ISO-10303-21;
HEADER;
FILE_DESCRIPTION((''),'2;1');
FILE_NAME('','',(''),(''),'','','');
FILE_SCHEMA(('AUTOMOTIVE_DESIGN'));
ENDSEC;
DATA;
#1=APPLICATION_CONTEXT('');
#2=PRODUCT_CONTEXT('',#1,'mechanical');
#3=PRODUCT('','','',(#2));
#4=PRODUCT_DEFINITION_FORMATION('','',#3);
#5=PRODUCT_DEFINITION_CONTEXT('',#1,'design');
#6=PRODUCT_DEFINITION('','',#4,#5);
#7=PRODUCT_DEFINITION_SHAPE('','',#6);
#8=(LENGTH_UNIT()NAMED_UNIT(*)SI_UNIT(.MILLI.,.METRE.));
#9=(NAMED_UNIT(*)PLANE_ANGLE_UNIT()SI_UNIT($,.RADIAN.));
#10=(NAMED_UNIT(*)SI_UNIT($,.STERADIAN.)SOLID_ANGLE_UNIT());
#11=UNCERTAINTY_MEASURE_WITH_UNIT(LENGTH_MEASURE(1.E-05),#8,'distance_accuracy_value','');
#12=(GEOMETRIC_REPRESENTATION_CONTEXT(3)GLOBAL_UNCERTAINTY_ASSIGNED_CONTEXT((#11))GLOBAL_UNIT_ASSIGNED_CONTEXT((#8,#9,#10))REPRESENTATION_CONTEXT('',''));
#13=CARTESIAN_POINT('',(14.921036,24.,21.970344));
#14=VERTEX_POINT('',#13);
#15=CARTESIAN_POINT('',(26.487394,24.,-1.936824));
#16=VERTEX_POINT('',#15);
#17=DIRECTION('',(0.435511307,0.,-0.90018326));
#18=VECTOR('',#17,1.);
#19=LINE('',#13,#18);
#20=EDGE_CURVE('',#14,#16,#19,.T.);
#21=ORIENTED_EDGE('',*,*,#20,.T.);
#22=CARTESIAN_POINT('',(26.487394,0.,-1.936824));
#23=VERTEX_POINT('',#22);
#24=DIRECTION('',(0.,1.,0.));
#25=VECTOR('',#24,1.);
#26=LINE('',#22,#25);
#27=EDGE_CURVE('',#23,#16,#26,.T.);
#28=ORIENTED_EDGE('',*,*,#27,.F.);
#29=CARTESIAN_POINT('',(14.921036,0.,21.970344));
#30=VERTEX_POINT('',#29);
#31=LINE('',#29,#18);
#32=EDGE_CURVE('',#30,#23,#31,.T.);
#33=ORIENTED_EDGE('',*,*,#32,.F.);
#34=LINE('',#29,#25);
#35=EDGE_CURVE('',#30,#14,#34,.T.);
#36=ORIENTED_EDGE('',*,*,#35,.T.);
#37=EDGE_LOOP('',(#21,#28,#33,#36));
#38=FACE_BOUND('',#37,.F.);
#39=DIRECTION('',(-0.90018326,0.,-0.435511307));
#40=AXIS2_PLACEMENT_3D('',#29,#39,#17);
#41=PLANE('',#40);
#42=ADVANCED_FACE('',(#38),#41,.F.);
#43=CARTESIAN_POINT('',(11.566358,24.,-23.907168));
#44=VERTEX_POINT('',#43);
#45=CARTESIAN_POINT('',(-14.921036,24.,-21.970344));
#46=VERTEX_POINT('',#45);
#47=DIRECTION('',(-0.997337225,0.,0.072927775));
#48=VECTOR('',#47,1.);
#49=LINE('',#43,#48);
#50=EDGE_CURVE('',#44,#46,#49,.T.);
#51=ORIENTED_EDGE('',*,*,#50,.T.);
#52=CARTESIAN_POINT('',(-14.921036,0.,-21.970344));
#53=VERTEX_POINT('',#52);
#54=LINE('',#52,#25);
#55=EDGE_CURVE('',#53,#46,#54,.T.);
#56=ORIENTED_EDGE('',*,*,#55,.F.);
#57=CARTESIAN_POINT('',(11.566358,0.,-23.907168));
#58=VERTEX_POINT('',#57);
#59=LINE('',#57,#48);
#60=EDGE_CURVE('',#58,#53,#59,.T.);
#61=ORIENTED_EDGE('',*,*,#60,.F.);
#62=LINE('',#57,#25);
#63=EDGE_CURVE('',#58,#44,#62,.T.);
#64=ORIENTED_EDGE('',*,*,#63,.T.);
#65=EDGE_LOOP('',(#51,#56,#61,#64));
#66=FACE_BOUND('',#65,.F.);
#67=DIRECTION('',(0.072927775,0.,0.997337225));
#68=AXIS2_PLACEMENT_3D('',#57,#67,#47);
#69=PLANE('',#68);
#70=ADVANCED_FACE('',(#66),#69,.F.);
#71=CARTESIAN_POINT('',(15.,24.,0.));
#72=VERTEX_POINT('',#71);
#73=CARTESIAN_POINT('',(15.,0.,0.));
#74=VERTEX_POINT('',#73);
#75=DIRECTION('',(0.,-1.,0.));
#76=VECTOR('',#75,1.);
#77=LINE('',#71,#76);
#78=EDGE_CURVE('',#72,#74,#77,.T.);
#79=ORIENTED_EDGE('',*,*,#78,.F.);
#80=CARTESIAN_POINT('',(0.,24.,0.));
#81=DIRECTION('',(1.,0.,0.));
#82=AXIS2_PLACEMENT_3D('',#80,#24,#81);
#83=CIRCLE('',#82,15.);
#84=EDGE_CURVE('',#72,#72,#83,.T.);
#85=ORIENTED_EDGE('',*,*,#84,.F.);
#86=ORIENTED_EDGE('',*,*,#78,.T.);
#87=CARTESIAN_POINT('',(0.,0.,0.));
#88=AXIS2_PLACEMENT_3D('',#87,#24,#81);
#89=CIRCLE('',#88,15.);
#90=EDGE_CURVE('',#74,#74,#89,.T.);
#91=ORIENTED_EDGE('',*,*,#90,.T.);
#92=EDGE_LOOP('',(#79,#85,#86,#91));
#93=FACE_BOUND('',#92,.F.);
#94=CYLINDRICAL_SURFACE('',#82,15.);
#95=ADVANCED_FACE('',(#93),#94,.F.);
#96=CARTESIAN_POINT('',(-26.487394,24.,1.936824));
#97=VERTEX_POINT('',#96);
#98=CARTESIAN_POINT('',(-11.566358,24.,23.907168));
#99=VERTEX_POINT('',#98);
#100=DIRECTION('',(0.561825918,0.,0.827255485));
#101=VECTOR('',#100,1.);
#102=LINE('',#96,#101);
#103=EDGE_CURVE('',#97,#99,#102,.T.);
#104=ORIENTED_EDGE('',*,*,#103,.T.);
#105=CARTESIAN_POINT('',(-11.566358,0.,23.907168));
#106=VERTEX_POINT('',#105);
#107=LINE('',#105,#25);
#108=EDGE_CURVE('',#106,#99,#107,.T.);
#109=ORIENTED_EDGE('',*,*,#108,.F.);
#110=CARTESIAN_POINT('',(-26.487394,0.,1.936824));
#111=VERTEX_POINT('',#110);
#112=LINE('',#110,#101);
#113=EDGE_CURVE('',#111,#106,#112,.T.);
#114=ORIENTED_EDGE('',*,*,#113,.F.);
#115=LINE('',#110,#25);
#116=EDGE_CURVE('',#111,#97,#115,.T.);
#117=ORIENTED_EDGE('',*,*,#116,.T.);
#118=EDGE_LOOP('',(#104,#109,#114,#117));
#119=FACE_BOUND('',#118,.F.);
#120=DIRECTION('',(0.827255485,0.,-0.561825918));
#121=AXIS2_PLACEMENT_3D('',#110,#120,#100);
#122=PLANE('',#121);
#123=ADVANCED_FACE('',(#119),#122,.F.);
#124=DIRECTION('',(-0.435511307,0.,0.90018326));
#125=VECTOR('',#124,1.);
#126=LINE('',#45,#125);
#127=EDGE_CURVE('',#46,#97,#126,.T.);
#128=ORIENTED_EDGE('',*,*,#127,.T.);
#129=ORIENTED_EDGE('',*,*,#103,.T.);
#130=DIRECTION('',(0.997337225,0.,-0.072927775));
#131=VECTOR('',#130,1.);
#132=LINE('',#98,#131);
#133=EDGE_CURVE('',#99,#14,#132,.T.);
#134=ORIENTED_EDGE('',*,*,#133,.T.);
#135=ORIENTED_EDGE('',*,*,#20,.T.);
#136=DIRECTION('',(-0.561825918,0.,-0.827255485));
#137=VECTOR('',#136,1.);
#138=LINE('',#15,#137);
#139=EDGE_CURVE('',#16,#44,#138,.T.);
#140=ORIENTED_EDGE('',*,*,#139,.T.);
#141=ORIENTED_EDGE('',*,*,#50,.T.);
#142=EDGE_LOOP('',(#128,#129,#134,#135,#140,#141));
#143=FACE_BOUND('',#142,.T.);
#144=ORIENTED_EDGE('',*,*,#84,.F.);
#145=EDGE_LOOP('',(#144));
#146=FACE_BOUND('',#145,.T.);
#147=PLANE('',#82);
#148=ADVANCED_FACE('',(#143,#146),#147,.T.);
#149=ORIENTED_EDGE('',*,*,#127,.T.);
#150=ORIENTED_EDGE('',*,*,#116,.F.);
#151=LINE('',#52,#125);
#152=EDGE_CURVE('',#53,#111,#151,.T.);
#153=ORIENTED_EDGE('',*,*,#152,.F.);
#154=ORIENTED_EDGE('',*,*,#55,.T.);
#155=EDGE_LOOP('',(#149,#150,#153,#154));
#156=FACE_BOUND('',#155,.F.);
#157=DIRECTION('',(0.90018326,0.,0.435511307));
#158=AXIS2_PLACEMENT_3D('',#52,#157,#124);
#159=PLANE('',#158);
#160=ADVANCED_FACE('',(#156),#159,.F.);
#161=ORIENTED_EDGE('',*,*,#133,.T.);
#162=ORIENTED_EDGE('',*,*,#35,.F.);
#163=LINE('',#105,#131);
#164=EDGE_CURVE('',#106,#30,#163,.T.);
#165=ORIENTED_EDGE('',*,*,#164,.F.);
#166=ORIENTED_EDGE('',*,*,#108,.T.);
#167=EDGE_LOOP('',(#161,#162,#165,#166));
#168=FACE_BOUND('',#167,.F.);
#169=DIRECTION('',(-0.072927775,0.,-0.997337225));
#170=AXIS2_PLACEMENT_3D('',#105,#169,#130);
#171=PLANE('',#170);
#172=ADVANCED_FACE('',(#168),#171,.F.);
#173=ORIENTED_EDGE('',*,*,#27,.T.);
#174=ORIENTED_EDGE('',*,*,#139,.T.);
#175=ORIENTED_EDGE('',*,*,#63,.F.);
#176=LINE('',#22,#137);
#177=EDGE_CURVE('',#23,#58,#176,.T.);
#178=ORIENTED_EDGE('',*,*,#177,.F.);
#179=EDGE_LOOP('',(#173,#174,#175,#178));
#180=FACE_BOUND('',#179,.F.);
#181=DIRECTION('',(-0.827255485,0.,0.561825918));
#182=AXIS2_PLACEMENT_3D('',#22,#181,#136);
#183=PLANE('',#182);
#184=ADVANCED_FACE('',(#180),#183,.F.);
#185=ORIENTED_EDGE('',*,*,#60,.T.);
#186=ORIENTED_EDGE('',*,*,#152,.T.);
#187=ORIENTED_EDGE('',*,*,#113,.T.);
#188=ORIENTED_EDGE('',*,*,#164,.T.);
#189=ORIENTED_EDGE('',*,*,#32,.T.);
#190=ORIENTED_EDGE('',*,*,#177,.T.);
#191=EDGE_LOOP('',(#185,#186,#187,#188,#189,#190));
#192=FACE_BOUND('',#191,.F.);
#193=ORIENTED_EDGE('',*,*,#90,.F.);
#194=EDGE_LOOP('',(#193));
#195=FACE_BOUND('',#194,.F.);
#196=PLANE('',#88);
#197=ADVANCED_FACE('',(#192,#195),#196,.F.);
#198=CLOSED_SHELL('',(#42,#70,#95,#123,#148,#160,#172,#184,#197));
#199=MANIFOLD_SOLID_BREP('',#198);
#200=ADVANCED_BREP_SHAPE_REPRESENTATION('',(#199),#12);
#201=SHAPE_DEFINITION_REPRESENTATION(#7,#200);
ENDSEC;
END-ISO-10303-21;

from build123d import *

# Parameters (mm, degrees)
BOSS_EXTRUDE1_DEPTH = 24
SKETCH2_R           = 15
CUT_EXTRUDE1_DEPTH  = 25


with BuildPart() as part:
    # Sketch1 → Boss-Extrude1 (new body)
    with BuildSketch(Plane(origin=(0, 0, 0), x_dir=(1, 0, 0), z_dir=(0, 1, 0))):
        Polygon((14.921035866, -21.970344149), (26.487394096, 1.936824036), (11.56635823, 23.907168185), (-14.921035866, 21.970344149), (-26.487394096, -1.936824036), (-11.56635823, -23.907168185), align=None)
    extrude(amount=BOSS_EXTRUDE1_DEPTH)

    # Sketch2 → Cut-Extrude1 (cut, through all)
    with BuildSketch(Plane(origin=(0, 24, 0), x_dir=(1, 0, 0), z_dir=(0, 1, 0))):
        Circle(SKETCH2_R)
    extrude(amount=-CUT_EXTRUDE1_DEPTH, mode=Mode.SUBTRACT)


solid = part.part
